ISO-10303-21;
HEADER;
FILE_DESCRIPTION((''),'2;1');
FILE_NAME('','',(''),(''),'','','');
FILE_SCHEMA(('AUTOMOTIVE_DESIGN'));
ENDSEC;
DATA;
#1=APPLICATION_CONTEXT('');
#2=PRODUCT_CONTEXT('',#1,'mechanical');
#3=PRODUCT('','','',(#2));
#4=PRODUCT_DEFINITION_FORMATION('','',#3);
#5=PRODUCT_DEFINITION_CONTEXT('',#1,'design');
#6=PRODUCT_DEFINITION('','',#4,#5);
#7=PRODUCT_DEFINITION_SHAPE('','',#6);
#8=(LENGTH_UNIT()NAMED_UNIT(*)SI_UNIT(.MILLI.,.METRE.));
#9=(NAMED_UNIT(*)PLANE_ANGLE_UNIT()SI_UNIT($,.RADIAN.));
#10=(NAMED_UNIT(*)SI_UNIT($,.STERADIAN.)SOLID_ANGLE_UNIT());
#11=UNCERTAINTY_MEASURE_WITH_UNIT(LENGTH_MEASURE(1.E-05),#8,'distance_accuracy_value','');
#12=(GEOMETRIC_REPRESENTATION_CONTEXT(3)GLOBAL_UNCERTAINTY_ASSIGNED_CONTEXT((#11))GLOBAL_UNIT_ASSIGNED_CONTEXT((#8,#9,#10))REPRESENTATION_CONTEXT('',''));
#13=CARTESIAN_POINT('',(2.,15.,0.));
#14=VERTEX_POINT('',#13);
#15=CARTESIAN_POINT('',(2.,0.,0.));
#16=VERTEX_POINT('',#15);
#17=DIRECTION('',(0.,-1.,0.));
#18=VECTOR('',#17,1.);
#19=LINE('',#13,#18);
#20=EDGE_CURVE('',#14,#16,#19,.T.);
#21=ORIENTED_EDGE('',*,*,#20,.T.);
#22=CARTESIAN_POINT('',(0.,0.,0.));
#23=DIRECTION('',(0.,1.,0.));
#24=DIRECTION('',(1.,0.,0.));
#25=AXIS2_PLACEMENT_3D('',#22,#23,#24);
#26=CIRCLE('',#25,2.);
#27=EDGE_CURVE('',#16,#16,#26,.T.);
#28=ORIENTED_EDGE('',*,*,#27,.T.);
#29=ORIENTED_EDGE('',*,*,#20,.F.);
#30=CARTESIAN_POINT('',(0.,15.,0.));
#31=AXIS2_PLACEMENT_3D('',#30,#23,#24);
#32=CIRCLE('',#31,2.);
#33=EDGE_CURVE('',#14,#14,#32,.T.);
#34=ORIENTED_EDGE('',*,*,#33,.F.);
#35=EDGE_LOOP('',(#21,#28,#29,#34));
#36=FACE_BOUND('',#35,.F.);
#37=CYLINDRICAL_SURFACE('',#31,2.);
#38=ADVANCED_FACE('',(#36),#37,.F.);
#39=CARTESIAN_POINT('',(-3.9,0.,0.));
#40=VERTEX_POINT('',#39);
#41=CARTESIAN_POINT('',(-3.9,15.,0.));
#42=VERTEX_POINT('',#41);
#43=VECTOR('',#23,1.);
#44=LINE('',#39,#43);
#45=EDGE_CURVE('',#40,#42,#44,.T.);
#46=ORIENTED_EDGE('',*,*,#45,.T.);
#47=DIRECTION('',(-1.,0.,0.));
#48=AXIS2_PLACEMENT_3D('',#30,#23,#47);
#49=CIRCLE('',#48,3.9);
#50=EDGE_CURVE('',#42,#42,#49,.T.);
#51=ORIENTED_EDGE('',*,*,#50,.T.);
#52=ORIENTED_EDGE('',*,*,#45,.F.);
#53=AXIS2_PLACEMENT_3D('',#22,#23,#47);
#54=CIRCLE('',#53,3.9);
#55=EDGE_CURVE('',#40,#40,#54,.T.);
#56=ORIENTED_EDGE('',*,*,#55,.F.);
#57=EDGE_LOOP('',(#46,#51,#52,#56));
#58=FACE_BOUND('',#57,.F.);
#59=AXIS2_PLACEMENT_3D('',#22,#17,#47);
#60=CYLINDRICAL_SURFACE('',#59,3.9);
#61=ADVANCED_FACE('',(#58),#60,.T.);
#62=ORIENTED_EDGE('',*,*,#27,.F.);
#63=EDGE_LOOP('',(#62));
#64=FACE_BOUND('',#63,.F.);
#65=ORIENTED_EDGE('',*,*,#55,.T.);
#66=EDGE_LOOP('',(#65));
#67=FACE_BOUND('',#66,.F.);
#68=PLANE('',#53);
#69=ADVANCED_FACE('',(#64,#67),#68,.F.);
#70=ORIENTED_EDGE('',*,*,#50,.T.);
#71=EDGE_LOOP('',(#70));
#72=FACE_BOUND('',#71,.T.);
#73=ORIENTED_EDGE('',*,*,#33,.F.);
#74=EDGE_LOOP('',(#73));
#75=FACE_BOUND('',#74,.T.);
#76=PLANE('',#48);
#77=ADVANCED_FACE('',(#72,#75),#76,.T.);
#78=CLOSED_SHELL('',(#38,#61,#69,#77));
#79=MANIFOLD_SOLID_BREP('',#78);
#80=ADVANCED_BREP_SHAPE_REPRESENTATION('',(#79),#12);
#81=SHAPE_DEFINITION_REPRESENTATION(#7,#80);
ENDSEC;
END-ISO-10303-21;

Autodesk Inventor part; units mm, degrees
ref_plane "YZ Plane" through (0, 0, 0) normal (1, 0, 0) x (0, 1, 0)
ref_plane "XZ Plane" through (0, 0, 0) normal (0, 1, 0) x (-1, 0, 0)
ref_plane "XY Plane" through (0, 0, 0) normal (0, 0, 1) x (1, 0, 0)
sketch "Sketch1" plane through (0, 0, 0) normal (0, 1, 0) x (-1, 0, 0)
  circle A0 centre (0, 0) radius 3.9
  dimension "d0" = 7.8
extrude "Extrusion1" add sketch "Sketch1" along normal blind 15
sketch "Sketch2" plane through (0, 15, 0) normal (0, 1, 0) x (1, 0, 0)
  circle A0 centre (0, 0) radius 2
  dimension "d3" = 4
extrude "Extrusion2" cut sketch "Sketch2" against normal through all
properties part number "axe_poulie"
